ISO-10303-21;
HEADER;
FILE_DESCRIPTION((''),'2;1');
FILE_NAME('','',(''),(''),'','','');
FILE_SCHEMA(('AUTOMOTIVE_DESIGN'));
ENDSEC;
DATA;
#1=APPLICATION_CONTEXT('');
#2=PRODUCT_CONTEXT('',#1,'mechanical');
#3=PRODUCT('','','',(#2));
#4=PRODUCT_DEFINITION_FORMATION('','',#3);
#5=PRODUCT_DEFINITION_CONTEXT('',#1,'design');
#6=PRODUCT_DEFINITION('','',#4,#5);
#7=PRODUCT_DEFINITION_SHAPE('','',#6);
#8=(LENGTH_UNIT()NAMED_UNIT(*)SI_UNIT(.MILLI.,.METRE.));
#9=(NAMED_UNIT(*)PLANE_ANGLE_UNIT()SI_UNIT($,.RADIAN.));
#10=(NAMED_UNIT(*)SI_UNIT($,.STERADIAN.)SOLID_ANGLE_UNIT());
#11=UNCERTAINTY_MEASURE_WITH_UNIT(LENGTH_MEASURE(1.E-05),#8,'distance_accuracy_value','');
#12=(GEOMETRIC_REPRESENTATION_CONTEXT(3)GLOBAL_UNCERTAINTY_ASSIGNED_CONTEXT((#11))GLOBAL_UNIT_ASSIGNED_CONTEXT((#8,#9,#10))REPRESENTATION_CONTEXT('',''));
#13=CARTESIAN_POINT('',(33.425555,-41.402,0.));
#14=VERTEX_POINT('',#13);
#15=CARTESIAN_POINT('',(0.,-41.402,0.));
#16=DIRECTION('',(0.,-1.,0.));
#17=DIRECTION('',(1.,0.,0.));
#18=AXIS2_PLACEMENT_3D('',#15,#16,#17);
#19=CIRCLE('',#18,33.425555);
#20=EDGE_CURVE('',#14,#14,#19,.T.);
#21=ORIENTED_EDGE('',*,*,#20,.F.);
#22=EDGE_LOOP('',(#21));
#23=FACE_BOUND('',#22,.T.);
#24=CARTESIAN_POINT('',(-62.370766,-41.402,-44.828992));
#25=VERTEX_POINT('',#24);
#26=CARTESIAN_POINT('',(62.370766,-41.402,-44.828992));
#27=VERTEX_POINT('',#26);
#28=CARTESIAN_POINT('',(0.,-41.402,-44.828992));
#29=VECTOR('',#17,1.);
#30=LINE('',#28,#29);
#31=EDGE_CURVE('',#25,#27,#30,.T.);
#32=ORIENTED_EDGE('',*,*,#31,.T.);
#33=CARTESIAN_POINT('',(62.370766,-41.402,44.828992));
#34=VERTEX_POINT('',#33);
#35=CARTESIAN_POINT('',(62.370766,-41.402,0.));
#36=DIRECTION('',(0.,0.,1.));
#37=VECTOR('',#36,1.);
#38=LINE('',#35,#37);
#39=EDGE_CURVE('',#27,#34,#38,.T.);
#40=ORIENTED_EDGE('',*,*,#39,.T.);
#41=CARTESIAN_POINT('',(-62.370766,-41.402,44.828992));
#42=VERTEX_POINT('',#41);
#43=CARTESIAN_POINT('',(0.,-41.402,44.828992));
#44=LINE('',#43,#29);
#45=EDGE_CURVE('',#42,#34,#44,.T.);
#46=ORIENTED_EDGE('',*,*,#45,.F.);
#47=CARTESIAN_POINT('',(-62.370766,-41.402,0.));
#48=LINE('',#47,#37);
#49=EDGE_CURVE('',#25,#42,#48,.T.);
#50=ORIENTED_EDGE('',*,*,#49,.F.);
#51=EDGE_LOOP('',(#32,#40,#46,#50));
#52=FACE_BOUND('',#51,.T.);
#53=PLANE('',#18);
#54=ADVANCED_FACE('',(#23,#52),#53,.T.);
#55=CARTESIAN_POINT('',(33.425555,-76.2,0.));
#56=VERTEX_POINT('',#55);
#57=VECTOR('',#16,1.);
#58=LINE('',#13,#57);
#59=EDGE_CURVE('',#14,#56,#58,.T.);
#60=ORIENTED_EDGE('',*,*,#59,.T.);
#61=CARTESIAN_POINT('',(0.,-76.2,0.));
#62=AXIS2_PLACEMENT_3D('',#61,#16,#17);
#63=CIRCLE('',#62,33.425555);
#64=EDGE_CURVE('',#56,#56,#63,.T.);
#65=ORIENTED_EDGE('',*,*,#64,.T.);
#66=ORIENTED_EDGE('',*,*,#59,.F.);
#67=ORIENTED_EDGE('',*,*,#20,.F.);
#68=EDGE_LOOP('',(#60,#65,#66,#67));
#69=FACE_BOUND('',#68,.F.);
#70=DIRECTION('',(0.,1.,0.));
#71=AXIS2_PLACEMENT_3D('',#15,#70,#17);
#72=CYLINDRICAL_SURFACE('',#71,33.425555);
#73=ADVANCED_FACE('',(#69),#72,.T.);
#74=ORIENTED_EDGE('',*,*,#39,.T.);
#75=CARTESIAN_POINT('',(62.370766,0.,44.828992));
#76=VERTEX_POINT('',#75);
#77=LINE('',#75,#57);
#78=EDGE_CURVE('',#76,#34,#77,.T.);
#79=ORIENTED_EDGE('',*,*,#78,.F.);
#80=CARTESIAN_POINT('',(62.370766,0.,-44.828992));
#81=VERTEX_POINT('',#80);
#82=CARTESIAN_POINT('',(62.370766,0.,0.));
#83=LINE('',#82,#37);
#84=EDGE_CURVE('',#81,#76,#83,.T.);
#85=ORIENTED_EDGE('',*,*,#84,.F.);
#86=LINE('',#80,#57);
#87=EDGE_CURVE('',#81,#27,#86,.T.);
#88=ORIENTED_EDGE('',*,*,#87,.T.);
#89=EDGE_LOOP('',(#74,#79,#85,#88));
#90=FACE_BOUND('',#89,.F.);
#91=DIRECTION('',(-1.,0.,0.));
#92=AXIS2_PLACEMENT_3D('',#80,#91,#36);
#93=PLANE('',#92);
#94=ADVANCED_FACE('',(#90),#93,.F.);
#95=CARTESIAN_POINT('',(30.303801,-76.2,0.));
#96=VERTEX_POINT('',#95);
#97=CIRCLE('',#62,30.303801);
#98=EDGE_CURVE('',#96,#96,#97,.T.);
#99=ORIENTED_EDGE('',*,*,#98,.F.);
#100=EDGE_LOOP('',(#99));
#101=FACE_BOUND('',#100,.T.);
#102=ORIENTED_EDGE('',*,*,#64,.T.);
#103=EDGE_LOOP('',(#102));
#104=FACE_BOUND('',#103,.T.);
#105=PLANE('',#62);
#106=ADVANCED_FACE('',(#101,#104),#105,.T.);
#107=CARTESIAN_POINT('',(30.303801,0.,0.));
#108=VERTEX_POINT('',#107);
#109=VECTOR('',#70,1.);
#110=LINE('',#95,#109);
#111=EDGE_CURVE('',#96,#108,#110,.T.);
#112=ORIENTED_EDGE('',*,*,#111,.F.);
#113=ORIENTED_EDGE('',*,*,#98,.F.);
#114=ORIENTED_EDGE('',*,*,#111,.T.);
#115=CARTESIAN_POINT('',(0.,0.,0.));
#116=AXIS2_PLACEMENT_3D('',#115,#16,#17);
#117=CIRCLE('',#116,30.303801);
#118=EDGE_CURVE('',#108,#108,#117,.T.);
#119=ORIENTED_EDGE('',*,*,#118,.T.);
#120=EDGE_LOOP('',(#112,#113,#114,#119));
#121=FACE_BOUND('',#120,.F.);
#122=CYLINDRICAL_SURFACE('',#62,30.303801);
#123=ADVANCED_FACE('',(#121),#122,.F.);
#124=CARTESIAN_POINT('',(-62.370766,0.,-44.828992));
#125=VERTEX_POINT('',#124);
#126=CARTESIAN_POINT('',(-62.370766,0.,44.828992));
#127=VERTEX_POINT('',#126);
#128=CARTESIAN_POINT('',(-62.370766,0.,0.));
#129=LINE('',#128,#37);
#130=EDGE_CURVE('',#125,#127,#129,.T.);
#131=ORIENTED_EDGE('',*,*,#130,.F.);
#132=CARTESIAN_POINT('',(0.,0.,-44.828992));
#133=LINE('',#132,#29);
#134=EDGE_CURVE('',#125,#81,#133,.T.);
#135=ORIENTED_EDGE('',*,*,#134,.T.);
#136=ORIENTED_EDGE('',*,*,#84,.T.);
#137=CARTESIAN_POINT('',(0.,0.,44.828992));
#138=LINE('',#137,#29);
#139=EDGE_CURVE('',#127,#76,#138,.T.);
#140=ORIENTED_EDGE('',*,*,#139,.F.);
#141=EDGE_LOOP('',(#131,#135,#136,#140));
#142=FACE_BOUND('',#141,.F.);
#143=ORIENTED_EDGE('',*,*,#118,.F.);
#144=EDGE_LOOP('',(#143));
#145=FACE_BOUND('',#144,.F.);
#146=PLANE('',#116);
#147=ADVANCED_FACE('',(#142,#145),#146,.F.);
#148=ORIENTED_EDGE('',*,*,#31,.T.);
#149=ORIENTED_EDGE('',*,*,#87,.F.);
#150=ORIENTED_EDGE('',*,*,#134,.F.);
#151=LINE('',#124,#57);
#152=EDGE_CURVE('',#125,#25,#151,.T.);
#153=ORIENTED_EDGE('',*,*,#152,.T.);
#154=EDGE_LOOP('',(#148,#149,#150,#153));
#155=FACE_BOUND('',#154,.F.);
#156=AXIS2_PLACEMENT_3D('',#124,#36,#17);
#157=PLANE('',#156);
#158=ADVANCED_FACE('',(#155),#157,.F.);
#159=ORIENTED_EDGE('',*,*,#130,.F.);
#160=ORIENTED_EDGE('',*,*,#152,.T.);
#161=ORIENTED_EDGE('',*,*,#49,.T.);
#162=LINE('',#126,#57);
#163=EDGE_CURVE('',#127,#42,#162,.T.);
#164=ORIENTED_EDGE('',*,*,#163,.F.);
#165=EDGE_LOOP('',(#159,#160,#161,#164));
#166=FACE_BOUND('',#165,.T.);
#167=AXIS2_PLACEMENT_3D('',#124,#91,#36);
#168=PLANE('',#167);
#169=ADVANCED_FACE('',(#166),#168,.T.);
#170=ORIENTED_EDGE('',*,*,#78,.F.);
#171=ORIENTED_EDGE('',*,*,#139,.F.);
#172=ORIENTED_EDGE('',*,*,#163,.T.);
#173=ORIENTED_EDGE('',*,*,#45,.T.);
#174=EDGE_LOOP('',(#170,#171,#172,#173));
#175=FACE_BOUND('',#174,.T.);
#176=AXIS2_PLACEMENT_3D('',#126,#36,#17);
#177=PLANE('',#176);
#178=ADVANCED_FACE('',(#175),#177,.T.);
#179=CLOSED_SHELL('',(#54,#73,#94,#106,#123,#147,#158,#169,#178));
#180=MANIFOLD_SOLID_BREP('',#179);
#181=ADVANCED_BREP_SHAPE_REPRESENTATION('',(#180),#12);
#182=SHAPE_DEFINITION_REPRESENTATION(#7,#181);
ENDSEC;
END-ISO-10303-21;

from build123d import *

# Parameters (mm, degrees)
F0_W     = 124.741532
F0_H     = 89.657984
F1_DEPTH = 41.402
F2_R     = 33.425555
F3_DEPTH = 34.798
F4_R     = 30.303801
F5_DEPTH = 96.266


with BuildPart() as f1:
    # F0 (on Front) → F1 (new body)
    with BuildSketch(Plane.XZ):
        Rectangle(F0_W, F0_H)
    extrude(amount=F1_DEPTH)

    # F2 (on face) → F3 (join)
    with BuildSketch(Plane.XZ.offset(41.402)):
        Circle(F2_R)
    extrude(amount=F3_DEPTH)

    # F4 (on face) → F5 (cut)
    with BuildSketch(Plane.XZ.offset(76.2)):
        Circle(F4_R)
    extrude(amount=-F5_DEPTH, mode=Mode.SUBTRACT)


solid = f1.part
